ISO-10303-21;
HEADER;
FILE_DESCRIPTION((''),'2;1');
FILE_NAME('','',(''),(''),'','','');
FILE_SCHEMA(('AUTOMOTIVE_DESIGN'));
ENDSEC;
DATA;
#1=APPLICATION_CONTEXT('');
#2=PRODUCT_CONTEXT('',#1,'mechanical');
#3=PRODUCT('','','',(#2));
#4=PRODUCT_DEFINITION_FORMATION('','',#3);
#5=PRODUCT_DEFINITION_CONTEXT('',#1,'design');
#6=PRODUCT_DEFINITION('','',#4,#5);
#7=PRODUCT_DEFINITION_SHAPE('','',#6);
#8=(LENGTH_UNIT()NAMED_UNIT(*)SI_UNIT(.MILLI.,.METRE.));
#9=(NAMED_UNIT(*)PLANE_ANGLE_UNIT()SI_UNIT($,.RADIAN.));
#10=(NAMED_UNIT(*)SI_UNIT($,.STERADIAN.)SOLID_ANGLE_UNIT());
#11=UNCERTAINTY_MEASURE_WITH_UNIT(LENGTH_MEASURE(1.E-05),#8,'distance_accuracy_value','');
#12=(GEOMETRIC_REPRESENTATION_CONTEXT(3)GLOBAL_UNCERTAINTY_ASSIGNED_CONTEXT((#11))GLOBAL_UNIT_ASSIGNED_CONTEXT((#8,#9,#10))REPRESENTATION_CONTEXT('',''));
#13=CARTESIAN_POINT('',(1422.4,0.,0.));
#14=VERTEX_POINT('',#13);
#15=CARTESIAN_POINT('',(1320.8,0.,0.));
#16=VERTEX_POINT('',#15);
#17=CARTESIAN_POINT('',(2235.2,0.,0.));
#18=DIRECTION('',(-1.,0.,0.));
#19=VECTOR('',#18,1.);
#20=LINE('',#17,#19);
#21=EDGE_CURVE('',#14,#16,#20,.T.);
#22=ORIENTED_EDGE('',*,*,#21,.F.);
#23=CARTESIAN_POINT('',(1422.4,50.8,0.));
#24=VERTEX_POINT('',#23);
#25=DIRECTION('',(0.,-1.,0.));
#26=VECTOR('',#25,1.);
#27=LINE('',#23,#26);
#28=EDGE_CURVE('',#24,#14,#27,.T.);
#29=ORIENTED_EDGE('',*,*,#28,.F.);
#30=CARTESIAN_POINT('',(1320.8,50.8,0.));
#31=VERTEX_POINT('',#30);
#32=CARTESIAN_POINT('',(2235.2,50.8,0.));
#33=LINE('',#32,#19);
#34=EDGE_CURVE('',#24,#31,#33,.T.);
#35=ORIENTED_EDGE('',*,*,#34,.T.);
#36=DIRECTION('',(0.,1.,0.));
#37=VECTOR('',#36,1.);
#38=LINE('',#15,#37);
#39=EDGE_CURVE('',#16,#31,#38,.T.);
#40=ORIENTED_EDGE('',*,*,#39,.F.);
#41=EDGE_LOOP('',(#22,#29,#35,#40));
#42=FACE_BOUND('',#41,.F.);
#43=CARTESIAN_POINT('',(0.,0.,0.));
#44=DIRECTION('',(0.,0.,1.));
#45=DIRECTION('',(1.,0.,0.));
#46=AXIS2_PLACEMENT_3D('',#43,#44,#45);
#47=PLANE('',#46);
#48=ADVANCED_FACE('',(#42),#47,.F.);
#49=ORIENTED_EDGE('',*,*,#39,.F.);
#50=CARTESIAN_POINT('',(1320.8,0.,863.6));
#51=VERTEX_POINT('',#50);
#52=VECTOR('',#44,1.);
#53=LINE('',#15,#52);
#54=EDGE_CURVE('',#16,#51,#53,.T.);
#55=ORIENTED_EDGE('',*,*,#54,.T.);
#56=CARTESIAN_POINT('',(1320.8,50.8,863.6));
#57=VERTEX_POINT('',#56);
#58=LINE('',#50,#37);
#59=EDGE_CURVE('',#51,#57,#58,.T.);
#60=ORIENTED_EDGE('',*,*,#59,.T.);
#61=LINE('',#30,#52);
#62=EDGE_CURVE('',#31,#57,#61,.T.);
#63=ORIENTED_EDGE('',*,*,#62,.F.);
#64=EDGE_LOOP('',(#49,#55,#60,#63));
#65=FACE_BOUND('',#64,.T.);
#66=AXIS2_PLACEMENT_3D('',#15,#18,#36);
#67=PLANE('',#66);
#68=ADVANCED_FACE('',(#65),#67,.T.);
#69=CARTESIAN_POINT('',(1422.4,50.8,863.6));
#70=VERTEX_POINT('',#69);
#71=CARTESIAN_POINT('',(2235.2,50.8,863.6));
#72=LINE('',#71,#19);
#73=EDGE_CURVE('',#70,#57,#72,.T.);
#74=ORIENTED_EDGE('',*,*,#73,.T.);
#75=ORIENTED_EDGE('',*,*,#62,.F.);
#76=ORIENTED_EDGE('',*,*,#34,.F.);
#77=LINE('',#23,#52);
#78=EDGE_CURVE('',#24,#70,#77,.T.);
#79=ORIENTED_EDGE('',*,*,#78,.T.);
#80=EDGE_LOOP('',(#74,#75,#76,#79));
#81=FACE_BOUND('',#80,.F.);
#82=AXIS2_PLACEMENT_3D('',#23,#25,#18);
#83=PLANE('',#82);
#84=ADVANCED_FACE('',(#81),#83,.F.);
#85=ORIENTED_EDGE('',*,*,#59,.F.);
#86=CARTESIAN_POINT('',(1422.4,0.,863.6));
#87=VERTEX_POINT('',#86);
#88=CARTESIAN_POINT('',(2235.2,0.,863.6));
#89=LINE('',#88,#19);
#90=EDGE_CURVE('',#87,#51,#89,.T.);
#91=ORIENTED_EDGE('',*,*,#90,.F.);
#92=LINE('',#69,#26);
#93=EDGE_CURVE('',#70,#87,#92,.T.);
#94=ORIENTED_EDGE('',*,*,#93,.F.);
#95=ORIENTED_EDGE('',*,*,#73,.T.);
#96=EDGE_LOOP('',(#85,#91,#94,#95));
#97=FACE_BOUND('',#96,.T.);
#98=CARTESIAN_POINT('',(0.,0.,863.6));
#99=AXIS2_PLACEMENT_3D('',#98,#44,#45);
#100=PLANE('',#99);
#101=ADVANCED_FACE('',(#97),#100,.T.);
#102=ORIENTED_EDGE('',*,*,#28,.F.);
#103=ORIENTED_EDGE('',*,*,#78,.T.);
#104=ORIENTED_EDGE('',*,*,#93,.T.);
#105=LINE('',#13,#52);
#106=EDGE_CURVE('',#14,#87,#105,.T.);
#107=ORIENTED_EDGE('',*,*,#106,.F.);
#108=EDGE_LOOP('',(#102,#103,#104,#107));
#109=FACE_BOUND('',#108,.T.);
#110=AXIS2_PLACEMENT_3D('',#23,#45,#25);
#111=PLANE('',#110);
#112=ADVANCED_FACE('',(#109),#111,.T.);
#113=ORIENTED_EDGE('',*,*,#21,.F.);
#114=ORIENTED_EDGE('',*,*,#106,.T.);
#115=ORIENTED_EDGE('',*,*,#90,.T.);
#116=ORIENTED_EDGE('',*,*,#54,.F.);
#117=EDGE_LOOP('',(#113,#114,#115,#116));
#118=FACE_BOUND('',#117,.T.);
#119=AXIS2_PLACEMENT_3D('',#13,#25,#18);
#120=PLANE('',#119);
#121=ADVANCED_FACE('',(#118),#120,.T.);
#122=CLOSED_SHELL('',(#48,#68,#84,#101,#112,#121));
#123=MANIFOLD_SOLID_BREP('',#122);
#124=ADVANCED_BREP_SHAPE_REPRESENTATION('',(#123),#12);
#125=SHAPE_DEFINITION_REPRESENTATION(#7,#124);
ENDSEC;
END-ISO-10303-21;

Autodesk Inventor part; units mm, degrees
ref_plane "YZ Plane" through (0, 0, 0) normal (1, 0, 0) x (0, 1, 0)
ref_plane "XZ Plane" through (0, 0, 0) normal (0, 1, 0) x (-1, 0, 0)
ref_plane "XY Plane" through (0, 0, 0) normal (0, 0, 1) x (1, 0, 0)
ref_plane "Work Plane1" through (0, 0, 0) normal (0, 0, 1) x (1, 0, 0)
sketch "Sketch1" plane through (0, 0, 0) normal (0, 0, 1) x (1, 0, 0)
  line L0 (2235.2, 0) -> (0, 0) projected
  line L1 (0, 0) -> (0, 50.8) projected
  line L2 (2235.2, 50.8) -> (0, 50.8) projected
  line L3 (2235.2, 0) -> (2235.2, 50.8) projected
  line L4 (1320.8, 0) -> (1320.8, 50.8) projected
  line L5 (1422.4, 0) -> (1320.8, 0) projected
  line L6 (1422.4, 50.8) -> (1422.4, 0) projected
  line L7 (2235.2, 50.8) -> (0, 50.8) projected
  line L8 (1422.4, 0) -> (1320.8, 0)
  line L9 (1320.8, 0) -> (1320.8, 50.8)
  line L10 (1320.8, 50.8) -> (1422.4, 50.8)
  line L11 (1422.4, 50.8) -> (1422.4, 0)
extrude "Extrusion1" add sketch "Sketch1" along normal blind 863.6 contours L0 L4 L2 L6
properties part number "Rename"
